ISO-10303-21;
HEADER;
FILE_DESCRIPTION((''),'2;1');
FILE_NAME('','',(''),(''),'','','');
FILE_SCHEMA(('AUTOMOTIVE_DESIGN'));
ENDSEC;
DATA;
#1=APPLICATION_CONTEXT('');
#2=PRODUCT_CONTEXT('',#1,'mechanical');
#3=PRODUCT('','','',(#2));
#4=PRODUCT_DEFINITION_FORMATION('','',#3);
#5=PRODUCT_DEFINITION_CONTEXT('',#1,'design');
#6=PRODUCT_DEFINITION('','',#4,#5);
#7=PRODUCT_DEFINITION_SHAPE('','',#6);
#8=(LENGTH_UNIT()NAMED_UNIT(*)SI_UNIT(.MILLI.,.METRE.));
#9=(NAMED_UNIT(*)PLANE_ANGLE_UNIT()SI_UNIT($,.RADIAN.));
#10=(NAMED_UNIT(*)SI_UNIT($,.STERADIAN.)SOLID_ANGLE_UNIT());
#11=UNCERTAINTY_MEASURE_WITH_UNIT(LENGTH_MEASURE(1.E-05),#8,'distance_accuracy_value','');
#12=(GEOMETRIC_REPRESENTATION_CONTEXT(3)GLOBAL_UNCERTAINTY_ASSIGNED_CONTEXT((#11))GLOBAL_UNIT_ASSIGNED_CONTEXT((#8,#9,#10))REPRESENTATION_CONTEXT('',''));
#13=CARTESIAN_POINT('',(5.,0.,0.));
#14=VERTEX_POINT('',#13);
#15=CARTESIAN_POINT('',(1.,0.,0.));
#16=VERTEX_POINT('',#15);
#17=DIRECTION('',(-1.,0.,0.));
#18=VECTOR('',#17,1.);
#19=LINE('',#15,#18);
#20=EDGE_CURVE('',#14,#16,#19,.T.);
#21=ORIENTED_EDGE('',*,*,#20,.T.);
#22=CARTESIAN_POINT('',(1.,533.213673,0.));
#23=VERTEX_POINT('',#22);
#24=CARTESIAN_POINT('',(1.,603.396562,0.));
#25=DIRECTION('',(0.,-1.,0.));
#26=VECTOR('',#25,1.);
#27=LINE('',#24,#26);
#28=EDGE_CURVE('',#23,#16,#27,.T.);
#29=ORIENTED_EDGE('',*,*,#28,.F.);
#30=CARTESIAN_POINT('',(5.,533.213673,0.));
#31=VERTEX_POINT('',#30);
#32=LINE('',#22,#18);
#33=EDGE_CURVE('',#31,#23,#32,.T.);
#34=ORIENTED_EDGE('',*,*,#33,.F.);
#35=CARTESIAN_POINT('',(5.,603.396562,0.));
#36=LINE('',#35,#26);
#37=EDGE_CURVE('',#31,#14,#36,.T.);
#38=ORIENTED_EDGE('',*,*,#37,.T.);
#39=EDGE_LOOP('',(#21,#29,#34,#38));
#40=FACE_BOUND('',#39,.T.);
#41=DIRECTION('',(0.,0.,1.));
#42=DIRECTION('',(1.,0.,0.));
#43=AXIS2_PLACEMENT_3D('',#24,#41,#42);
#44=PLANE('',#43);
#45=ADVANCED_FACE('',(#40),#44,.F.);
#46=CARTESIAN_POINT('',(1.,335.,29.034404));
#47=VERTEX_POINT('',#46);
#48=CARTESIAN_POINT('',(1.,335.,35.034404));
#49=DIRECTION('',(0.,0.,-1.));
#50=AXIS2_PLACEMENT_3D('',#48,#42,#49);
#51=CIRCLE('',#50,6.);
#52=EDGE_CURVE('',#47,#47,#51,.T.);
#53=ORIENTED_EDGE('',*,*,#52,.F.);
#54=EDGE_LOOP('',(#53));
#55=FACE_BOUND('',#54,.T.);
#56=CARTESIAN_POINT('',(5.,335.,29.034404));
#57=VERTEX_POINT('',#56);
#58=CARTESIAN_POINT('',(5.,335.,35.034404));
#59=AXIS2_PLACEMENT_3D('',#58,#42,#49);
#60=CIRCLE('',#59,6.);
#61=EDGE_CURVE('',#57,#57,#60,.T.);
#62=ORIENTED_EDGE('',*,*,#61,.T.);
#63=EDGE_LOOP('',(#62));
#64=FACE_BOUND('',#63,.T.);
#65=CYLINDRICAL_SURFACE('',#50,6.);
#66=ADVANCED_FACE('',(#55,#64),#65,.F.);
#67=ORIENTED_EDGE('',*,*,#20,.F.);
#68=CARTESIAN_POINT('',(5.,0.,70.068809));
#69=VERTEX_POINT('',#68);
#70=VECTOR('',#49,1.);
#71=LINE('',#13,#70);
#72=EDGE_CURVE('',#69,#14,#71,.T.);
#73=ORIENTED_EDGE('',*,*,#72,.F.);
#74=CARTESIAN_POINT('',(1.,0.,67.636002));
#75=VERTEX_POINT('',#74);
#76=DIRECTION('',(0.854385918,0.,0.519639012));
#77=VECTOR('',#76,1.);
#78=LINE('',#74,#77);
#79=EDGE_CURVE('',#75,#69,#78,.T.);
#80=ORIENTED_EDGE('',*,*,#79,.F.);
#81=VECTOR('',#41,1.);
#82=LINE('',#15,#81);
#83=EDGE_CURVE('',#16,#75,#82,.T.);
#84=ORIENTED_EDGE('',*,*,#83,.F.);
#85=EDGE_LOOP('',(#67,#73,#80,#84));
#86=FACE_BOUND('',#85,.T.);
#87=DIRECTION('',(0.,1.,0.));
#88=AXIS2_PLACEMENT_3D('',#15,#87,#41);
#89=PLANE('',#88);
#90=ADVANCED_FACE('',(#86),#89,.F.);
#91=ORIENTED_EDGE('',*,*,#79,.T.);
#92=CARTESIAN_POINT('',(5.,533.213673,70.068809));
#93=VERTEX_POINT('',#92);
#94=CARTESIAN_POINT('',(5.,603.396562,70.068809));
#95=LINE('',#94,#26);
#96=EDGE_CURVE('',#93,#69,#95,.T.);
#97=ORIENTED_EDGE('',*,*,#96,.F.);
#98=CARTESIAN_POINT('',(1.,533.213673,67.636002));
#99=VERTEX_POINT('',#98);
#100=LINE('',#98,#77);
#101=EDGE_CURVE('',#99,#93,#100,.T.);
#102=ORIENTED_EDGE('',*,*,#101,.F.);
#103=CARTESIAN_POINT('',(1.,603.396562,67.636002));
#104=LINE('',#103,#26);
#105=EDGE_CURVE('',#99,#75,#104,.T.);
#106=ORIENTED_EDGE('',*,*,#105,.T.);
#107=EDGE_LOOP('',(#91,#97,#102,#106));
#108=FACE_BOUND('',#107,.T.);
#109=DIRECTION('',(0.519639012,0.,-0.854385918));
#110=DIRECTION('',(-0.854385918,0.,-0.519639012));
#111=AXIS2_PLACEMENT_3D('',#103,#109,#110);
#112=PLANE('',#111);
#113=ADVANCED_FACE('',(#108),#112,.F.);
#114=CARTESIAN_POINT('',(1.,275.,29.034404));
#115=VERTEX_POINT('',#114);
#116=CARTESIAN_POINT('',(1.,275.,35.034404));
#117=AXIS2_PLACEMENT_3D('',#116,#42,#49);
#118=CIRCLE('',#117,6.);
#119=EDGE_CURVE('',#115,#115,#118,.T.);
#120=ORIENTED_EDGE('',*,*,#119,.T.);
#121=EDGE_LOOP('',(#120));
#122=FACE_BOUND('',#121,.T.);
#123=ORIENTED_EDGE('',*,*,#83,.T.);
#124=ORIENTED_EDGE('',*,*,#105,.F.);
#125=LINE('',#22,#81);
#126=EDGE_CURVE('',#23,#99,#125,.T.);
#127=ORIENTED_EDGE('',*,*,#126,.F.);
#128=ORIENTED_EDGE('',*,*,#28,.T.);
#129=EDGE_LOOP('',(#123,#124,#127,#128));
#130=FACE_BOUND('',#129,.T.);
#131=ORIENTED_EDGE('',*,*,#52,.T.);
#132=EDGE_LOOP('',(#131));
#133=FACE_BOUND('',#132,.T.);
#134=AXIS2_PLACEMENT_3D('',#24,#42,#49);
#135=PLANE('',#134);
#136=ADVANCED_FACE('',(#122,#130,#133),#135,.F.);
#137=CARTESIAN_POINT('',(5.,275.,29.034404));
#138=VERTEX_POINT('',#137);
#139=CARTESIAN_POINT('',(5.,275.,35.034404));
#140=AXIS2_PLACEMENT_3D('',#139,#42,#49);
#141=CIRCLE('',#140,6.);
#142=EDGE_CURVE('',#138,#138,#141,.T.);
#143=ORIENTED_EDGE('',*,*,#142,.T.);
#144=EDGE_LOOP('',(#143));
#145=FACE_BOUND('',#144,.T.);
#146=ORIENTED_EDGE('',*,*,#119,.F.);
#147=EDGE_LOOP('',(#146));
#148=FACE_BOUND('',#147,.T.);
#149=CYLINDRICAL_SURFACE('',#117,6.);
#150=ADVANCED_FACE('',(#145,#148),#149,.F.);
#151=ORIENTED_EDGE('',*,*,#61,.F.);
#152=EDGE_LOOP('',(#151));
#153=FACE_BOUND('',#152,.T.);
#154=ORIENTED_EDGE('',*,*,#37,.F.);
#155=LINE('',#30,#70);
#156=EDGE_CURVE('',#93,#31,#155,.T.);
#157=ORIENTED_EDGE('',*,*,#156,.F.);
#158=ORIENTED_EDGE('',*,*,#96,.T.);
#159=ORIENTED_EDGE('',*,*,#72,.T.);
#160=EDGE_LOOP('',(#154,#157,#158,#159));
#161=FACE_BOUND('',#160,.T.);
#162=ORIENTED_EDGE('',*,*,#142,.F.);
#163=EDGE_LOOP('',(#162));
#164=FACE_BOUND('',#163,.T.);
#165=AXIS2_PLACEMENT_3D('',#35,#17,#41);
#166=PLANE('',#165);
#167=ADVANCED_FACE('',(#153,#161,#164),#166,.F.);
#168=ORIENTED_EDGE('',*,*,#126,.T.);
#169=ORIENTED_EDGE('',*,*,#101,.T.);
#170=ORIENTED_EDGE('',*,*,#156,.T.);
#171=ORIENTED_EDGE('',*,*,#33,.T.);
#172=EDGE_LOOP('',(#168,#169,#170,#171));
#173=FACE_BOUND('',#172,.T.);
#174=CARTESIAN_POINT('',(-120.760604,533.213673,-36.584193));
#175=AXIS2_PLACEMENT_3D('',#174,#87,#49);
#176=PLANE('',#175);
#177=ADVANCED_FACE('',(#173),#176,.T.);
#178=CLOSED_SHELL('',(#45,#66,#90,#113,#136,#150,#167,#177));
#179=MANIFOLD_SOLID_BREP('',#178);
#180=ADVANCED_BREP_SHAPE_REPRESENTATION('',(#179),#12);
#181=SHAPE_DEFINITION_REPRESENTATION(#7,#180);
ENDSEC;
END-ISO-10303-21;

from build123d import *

# Parameters (mm, degrees)
EXTRUDE_1_DEPTH    = 533.213673317
SKETCH1_R          = 6
CUT_EXTRUDE1_DEPTH = 538.812661937


with BuildPart() as part:
    # Эскиз1 → Вытянуть1 (new body)
    with BuildSketch(Plane(origin=(0, 0, 0), x_dir=(1, 0, 0), z_dir=(0, 1, 0))):
        Polygon((1, 0), (5, 0), (5, -70.068808523), (1, -67.636001514), align=None)
    extrude(amount=EXTRUDE_1_DEPTH)

    # Sketch1 → Cut-Extrude1 (cut, through all)
    with BuildSketch(Plane(origin=(5, 0, 0), x_dir=(0, 0, -1), z_dir=(1, 0, 0))):
        with Locations((-35.034404262, 335)):
            Circle(SKETCH1_R)
        with Locations((-35.034404262, 275)):
            Circle(SKETCH1_R)
    extrude(amount=-CUT_EXTRUDE1_DEPTH, mode=Mode.SUBTRACT)


solid = part.part
